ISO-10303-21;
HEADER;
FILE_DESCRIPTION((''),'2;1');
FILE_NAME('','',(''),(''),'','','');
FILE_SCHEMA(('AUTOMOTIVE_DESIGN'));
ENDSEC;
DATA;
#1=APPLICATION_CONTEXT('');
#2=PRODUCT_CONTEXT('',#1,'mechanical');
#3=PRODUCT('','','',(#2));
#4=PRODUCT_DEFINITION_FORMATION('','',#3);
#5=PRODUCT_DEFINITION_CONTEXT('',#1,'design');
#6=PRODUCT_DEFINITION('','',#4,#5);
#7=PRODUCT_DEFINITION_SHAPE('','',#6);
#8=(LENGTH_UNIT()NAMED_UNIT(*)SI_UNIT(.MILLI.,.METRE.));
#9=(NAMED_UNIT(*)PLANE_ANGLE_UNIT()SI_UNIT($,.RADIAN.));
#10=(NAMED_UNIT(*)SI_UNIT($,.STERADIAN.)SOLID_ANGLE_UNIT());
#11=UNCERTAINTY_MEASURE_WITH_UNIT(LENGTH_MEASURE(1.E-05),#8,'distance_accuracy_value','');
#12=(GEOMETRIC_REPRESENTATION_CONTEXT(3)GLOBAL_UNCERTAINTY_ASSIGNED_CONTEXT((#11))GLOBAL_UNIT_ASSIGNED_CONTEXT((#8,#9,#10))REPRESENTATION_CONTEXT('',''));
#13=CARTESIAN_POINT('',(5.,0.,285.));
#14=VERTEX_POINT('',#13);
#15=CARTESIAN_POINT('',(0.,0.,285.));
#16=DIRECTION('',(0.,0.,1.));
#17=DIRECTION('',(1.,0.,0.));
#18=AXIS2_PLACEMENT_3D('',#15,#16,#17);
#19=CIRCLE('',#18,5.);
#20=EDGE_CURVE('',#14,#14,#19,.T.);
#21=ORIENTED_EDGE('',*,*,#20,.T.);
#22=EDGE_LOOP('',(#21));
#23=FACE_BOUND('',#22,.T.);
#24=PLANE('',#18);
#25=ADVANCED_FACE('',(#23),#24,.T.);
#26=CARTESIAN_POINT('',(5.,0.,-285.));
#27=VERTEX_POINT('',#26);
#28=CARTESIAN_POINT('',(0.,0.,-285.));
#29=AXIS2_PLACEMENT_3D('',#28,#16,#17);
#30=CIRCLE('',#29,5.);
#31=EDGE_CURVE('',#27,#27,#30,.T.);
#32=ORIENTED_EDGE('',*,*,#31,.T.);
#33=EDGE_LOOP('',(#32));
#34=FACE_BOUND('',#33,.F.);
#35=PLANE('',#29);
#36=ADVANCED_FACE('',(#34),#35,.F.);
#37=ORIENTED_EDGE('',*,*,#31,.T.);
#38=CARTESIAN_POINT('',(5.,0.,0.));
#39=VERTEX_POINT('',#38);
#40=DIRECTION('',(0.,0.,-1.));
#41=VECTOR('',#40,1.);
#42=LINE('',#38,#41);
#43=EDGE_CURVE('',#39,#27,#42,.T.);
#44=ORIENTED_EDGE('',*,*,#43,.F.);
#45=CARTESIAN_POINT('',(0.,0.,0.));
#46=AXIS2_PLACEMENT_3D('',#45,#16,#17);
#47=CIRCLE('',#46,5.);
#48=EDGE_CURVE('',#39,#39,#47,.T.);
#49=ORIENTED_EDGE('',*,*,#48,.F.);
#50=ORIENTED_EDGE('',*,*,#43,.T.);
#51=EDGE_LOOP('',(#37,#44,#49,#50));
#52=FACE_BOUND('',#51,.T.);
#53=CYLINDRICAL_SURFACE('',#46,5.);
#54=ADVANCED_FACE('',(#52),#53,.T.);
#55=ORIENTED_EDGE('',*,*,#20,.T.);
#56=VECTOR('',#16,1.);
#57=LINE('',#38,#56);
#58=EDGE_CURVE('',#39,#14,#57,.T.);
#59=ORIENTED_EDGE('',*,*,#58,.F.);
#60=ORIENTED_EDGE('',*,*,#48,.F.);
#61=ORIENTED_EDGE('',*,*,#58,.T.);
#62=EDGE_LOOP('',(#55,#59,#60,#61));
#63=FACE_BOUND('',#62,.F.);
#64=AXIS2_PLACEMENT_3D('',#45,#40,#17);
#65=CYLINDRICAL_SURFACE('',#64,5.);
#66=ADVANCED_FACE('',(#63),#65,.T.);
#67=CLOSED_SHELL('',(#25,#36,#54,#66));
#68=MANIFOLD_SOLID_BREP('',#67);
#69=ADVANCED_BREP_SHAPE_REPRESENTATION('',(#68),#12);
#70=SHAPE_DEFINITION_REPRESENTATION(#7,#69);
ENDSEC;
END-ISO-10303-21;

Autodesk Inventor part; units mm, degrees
ref_plane "YZ Plane" through (0, 0, 0) normal (1, 0, 0) x (0, 1, 0)
ref_plane "XZ Plane" through (0, 0, 0) normal (0, 1, 0) x (-1, 0, 0)
ref_plane "XY Plane" through (0, 0, 0) normal (0, 0, 1) x (1, 0, 0)
sketch "Sketch1" plane through (0, 0, 0) normal (0, 0, 1) x (1, 0, 0)
  circle A0 centre (0, 0) radius 5
  dimension "d0" = 10
extrude "Extrusion1" add sketch "Sketch1" along normal mid plane 570
properties part number "0008-10-1008 Bara 10" material "Steel"
